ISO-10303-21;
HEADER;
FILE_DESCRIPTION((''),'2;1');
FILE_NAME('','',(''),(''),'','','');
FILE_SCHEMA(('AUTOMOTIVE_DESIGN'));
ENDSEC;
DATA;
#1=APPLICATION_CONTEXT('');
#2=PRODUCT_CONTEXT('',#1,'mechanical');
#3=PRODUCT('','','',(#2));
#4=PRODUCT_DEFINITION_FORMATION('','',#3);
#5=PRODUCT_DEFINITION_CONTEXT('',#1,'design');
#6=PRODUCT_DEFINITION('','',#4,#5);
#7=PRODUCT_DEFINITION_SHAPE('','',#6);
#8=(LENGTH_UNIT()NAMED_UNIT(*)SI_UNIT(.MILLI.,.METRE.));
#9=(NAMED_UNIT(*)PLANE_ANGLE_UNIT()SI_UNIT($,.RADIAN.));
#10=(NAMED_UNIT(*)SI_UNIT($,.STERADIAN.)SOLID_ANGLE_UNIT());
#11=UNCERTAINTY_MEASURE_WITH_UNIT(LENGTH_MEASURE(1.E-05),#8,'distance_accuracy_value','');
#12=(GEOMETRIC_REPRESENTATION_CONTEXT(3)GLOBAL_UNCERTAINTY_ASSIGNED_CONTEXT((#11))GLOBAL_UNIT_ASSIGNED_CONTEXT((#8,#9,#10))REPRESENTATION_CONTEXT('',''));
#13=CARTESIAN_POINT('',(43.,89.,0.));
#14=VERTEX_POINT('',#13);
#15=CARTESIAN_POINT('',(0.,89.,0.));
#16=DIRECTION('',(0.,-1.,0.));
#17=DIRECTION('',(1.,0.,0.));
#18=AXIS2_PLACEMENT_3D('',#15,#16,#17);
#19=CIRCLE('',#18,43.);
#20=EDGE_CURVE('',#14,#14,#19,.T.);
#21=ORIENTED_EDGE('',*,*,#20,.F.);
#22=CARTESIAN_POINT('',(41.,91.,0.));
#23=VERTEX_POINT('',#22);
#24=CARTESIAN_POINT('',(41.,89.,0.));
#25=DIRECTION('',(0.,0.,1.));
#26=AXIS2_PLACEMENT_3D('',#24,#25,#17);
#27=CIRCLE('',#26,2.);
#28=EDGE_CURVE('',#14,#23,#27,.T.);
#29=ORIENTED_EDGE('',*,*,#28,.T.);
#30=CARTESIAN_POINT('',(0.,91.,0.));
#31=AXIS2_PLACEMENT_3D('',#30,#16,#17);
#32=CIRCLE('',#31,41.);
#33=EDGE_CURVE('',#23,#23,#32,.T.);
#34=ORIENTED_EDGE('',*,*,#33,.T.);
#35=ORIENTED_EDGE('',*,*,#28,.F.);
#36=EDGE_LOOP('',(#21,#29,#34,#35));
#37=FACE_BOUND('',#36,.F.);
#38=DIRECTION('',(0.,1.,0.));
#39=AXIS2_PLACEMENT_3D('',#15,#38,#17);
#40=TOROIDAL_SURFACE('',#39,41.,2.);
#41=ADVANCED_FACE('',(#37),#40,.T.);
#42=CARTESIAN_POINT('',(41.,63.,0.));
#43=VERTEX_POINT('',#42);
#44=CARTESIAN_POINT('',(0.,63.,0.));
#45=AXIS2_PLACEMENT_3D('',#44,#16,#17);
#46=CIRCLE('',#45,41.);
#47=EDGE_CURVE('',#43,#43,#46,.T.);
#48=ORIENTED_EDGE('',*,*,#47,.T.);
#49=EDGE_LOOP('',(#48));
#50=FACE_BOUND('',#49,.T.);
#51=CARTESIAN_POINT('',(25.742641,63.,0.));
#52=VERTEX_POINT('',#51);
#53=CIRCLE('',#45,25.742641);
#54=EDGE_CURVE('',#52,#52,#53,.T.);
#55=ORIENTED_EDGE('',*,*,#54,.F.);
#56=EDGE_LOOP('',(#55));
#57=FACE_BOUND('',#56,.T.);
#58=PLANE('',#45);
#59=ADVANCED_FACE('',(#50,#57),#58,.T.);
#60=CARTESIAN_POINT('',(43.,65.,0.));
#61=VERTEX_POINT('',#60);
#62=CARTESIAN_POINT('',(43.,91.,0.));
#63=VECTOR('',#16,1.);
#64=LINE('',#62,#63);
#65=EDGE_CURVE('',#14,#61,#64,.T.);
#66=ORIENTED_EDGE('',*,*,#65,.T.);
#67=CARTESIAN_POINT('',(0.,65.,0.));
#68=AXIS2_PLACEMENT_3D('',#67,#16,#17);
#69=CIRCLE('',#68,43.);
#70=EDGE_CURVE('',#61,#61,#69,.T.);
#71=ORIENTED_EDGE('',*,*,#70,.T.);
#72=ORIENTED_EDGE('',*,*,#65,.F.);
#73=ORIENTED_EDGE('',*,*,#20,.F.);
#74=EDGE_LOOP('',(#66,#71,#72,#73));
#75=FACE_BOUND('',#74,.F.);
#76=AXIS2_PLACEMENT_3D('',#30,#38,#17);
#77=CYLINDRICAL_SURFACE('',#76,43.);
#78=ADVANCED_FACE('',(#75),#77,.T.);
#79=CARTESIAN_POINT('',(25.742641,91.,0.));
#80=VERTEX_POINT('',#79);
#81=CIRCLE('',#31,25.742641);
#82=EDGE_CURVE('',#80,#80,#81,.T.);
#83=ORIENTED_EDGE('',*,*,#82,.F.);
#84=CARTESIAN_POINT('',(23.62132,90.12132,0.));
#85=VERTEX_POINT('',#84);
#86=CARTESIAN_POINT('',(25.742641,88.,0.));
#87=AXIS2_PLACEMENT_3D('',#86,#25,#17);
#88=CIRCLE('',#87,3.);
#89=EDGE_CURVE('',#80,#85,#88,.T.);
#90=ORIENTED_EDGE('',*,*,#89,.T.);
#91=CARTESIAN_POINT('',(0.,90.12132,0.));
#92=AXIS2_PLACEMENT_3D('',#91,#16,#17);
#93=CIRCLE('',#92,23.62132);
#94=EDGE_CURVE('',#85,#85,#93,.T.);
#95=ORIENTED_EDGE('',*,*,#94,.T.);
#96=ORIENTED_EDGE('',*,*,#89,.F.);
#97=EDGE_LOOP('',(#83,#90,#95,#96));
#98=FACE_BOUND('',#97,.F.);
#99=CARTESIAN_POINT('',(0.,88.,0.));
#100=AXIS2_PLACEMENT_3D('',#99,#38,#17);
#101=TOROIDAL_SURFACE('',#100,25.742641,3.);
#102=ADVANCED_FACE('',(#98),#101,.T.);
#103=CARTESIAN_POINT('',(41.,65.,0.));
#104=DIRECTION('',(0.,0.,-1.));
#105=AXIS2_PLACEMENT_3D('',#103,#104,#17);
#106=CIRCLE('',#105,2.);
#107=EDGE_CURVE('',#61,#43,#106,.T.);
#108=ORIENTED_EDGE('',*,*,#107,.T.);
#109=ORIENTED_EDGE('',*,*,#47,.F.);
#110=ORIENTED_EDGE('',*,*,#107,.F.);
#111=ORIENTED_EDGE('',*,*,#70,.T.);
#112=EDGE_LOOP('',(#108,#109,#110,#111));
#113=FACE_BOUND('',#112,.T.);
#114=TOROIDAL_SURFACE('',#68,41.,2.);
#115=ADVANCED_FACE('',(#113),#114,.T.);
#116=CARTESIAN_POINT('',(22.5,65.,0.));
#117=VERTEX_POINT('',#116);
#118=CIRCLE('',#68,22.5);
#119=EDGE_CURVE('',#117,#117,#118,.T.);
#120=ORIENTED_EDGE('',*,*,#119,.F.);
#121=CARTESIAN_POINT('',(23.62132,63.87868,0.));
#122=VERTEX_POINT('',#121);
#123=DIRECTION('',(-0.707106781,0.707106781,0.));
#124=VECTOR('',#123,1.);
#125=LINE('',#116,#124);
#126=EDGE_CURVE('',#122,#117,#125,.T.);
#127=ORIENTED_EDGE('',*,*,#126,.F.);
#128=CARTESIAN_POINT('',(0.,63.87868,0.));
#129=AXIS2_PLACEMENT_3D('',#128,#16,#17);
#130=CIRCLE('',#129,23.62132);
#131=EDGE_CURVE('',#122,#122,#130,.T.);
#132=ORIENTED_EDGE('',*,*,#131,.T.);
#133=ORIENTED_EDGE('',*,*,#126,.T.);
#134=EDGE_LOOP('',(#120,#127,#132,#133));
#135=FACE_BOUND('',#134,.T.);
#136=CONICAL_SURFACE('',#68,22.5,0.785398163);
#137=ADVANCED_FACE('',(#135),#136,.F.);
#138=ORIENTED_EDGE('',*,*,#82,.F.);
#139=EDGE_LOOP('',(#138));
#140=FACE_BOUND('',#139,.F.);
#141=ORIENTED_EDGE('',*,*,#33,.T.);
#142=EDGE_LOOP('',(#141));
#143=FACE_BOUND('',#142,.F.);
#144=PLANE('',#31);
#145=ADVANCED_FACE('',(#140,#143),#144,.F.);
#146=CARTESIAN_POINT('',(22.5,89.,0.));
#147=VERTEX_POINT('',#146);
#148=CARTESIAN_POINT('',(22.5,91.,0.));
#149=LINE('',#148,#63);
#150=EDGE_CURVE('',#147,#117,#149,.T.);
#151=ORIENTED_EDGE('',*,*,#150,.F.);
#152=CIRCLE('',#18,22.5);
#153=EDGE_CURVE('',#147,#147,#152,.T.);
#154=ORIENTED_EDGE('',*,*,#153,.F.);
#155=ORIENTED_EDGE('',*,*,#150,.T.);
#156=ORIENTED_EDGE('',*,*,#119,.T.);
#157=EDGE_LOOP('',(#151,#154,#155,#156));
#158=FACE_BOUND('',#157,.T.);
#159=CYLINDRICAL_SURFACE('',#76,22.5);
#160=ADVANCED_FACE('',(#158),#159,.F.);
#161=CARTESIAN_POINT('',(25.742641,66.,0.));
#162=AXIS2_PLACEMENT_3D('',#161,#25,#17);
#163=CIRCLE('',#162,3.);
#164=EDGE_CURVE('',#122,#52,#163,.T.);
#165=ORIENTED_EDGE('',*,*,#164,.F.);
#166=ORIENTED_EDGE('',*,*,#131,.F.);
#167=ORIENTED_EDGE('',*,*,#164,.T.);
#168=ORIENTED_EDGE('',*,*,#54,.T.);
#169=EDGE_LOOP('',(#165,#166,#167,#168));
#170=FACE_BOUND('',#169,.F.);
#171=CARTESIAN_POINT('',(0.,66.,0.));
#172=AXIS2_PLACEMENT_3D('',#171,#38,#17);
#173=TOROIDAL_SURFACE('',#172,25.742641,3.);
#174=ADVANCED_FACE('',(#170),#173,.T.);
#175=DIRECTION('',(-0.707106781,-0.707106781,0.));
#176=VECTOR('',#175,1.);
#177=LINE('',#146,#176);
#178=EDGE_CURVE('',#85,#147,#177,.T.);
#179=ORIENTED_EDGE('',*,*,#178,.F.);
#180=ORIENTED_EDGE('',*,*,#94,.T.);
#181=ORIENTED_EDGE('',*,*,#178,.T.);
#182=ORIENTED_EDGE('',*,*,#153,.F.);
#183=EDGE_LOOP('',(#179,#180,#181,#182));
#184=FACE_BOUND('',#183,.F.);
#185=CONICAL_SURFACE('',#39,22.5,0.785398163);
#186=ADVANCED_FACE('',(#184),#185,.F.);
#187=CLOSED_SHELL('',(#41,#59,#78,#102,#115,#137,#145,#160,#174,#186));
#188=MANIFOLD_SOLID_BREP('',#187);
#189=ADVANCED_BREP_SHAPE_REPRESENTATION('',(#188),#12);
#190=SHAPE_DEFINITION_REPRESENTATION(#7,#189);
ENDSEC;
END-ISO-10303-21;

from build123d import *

# Parameters (mm, degrees)
CYLINDER052_R     = 22.5
CYLINDER052_DEPTH = 28
CYLINDER051_R     = 43
CYLINDER051_DEPTH = 28
FILLET003_R       = 2
CHAMFER001_SIZE   = 2
FILLET002_R       = 3


with BuildPart() as cylinder052:
    # Cylinder052 → Cylinder052 (new body)
    with BuildSketch(Plane.XZ):
        Circle(CYLINDER052_R)
    extrude(amount=CYLINDER052_DEPTH)


with BuildPart() as wheel_wide_right:
    # Cylinder051 → Cylinder051 (new body)
    with BuildSketch(Plane.XZ):
        Circle(CYLINDER051_R)
    extrude(amount=CYLINDER051_DEPTH)

    # Cut020: cut Cylinder052
    add(cylinder052.part, mode=Mode.SUBTRACT)

    # Fillet003
    fillet003_edges = [wheel_wide_right.edges().sort_by_distance(p)[0] for p in [
        (-43, -28, 0),
        (-43, 0, 0),
    ]]
    fillet(fillet003_edges, radius=FILLET003_R)

    # Chamfer001
    chamfer001_edges = [wheel_wide_right.edges().sort_by_distance(p)[0] for p in [
        (-22.5, 0, 0),
        (-22.5, -28, 0),
    ]]
    chamfer(chamfer001_edges, length=CHAMFER001_SIZE)

    # Fillet002
    fillet002_edges = [wheel_wide_right.edges().sort_by_distance(p)[0] for p in [
        (-24.5, 0, 0),
        (-24.5, -28, 0),
    ]]
    fillet(fillet002_edges, radius=FILLET002_R)


with BuildPart() as wheel_wide_right_1:
    # Fillet002 placement: moved
    add(wheel_wide_right.part.moved(Location((0, 91, 0))))


solid = wheel_wide_right_1.part
